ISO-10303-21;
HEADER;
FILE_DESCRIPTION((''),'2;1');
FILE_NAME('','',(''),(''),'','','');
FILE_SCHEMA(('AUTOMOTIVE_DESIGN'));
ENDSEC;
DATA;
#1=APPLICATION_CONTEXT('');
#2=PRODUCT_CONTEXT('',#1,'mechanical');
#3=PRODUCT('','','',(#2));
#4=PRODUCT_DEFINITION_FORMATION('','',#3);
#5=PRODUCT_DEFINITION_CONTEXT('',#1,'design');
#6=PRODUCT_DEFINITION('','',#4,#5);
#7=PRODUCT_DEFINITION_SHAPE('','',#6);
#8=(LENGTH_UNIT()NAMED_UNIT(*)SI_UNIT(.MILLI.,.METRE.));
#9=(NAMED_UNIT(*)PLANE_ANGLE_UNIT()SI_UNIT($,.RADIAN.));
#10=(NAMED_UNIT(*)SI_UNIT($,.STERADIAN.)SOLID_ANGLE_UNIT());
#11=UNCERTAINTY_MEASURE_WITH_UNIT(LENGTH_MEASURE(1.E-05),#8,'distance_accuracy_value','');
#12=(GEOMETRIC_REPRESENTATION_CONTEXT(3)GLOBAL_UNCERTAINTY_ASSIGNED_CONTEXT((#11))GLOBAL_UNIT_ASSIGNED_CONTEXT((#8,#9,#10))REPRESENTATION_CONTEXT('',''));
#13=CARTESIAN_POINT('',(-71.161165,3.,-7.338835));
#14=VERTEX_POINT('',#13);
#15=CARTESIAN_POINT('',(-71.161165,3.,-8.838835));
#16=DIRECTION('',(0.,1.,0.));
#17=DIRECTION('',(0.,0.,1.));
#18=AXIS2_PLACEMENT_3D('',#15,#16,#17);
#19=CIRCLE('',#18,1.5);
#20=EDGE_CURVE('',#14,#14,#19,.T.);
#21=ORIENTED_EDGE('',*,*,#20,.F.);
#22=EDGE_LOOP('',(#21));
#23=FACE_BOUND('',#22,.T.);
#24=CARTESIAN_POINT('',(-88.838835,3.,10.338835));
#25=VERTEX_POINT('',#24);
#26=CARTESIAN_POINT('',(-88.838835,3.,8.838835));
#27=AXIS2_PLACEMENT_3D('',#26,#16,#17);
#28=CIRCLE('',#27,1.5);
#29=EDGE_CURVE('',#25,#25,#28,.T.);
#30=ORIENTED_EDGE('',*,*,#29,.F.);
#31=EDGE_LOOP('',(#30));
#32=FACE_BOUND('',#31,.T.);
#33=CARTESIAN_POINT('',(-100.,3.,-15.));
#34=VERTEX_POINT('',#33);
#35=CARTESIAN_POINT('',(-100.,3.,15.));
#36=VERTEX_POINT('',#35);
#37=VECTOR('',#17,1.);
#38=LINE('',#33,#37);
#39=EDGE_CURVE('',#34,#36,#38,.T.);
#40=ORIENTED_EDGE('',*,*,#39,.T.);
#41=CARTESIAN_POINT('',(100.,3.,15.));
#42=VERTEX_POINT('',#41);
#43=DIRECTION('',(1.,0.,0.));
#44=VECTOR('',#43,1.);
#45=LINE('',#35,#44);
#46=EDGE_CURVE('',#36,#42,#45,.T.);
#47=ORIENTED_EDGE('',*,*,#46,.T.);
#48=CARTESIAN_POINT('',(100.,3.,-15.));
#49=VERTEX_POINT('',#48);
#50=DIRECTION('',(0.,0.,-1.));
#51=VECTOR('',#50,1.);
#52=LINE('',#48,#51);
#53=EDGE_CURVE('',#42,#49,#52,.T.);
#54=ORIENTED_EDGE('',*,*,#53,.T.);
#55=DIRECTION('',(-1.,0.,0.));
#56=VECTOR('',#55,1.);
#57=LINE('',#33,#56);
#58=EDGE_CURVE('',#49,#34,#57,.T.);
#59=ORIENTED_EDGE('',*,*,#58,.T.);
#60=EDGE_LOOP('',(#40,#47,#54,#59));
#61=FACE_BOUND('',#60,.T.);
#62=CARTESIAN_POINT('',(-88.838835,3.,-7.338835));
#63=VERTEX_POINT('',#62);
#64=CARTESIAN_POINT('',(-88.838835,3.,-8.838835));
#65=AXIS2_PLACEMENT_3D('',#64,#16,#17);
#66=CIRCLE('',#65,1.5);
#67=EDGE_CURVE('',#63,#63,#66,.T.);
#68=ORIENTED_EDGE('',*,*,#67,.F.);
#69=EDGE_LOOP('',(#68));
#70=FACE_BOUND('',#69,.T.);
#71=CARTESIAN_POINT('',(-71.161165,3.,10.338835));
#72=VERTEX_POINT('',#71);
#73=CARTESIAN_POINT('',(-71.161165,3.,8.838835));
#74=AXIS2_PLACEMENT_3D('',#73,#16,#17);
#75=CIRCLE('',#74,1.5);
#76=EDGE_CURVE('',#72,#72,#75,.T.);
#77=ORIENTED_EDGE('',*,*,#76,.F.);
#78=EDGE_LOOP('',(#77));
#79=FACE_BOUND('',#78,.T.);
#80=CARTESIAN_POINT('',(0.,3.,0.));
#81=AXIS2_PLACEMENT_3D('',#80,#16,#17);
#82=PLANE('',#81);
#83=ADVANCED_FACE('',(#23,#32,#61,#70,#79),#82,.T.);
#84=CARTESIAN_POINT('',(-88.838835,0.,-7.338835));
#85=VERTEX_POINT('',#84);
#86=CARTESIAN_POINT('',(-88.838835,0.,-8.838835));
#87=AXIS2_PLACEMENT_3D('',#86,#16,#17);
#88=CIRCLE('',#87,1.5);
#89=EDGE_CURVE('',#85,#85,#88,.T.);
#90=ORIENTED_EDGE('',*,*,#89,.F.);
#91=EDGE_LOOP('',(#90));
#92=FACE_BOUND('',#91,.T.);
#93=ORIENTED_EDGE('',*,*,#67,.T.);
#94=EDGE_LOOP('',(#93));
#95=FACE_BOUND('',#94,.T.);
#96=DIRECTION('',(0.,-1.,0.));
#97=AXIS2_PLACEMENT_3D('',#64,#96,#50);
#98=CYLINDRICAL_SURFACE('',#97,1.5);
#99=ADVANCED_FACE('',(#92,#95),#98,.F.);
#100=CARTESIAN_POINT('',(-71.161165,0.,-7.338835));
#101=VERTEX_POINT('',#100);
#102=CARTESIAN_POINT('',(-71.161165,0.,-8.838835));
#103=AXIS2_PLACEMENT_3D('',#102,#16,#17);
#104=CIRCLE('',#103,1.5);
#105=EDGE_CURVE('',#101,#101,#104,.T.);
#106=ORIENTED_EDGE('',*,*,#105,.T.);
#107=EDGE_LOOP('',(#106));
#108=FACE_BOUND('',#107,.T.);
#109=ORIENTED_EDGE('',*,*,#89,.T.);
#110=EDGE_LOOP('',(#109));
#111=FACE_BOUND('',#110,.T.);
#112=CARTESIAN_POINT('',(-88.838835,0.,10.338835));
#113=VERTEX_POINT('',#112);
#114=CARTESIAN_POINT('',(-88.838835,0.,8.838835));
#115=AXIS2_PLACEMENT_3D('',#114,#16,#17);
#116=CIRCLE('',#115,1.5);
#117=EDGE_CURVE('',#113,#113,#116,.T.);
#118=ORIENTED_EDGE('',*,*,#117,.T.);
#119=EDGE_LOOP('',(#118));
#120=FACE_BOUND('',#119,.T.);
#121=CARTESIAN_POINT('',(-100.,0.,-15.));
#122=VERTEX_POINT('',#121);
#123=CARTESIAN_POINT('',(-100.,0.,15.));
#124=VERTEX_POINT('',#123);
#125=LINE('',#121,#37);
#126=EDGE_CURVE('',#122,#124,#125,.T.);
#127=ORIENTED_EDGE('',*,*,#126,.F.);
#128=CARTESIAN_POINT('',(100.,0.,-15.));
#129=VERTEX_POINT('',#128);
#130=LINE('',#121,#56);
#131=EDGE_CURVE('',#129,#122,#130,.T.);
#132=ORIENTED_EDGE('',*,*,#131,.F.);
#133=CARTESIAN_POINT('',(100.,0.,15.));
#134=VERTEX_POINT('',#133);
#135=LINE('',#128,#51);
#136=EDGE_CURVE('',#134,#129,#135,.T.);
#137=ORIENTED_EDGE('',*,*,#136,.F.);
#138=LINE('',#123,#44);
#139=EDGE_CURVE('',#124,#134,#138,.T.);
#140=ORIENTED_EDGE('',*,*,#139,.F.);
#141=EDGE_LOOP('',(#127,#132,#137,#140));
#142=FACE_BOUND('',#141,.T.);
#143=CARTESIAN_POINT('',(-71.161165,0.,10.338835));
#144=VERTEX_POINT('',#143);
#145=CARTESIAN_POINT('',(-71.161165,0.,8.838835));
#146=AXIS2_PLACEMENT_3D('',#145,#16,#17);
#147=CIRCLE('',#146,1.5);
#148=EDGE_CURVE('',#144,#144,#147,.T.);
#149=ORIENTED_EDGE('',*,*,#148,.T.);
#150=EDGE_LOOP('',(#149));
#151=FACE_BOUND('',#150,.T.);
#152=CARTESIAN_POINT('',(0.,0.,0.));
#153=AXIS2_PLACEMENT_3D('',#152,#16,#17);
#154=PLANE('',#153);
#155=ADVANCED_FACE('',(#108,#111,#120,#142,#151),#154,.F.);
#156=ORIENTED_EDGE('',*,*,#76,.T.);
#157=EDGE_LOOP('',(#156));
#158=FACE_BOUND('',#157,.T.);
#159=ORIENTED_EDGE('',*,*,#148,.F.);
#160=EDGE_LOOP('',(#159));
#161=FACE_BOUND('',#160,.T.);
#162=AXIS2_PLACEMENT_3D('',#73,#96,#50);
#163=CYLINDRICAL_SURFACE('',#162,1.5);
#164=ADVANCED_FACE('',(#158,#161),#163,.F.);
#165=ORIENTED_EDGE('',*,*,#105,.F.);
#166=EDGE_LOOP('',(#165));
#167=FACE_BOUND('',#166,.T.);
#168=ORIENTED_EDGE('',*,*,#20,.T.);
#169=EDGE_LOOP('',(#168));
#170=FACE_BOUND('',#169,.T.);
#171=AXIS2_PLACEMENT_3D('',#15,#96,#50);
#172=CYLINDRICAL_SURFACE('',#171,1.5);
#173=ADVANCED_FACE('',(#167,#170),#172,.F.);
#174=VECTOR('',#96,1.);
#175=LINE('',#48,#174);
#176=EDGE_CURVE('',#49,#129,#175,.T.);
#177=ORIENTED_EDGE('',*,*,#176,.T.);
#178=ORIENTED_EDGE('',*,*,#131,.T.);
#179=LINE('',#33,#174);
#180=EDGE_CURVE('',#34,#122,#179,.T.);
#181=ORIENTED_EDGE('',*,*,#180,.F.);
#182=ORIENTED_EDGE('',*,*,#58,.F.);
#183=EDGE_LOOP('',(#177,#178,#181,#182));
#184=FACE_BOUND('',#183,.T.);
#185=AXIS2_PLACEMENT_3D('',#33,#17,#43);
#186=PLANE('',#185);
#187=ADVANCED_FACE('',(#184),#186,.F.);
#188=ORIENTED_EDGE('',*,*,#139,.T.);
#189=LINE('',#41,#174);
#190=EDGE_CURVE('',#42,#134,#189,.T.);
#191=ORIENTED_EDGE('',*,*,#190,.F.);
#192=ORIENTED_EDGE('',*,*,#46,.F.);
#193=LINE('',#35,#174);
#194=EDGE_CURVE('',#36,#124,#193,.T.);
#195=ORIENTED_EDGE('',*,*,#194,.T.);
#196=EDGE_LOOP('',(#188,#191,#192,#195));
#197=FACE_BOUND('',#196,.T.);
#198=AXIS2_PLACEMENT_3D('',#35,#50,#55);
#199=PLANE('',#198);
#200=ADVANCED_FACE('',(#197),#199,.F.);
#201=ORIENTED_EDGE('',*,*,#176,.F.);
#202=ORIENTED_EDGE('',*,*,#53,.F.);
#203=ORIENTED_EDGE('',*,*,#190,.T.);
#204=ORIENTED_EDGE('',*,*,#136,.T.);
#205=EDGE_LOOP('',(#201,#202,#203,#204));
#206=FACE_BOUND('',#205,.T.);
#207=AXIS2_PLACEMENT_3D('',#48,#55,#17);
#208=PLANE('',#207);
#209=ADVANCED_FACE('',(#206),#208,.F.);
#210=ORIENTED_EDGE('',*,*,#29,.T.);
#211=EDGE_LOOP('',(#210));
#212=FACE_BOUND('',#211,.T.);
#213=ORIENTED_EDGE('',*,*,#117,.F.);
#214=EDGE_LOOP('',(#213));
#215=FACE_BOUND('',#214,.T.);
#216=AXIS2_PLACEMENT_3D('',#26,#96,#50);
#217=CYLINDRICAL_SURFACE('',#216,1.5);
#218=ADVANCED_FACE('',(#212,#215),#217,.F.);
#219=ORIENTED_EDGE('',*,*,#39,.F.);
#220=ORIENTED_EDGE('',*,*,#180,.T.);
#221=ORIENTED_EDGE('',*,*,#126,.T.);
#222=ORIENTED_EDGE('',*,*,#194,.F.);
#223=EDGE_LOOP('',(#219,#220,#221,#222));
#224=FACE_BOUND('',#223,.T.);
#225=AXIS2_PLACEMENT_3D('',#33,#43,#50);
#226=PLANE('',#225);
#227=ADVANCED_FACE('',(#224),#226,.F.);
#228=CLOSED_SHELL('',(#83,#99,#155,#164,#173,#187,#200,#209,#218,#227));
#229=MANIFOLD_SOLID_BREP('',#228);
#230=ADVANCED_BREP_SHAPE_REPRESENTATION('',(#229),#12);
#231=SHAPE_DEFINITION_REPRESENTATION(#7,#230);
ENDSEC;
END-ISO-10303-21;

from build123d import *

# Parameters (mm, degrees)
SKETCH1_W           = 200
SKETCH1_H           = 30
SKETCH1_R           = 1.5
BOSS_EXTRUDE1_DEPTH = 3


with BuildPart() as part:
    # Sketch1 → Boss-Extrude1 (new body)
    with BuildSketch(Plane(origin=(0, 0, 0), x_dir=(1, 0, 0), z_dir=(0, 1, 0))):
        Rectangle(SKETCH1_W, SKETCH1_H)
        with Locations(Location((-88.838834765, -8.838834765, 0), (0, 0, 270))):
            Circle(SKETCH1_R, mode=Mode.SUBTRACT)
        with Locations(Location((-88.838834765, 8.838834765, 0), (0, 0, 270))):
            Circle(SKETCH1_R, mode=Mode.SUBTRACT)
        with Locations(Location((-71.161165235, 8.838834765, 0), (0, 0, 270))):
            Circle(SKETCH1_R, mode=Mode.SUBTRACT)
        with Locations(Location((-71.161165235, -8.838834765, 0), (0, 0, 270))):
            Circle(SKETCH1_R, mode=Mode.SUBTRACT)
    extrude(amount=BOSS_EXTRUDE1_DEPTH)


solid = part.part
